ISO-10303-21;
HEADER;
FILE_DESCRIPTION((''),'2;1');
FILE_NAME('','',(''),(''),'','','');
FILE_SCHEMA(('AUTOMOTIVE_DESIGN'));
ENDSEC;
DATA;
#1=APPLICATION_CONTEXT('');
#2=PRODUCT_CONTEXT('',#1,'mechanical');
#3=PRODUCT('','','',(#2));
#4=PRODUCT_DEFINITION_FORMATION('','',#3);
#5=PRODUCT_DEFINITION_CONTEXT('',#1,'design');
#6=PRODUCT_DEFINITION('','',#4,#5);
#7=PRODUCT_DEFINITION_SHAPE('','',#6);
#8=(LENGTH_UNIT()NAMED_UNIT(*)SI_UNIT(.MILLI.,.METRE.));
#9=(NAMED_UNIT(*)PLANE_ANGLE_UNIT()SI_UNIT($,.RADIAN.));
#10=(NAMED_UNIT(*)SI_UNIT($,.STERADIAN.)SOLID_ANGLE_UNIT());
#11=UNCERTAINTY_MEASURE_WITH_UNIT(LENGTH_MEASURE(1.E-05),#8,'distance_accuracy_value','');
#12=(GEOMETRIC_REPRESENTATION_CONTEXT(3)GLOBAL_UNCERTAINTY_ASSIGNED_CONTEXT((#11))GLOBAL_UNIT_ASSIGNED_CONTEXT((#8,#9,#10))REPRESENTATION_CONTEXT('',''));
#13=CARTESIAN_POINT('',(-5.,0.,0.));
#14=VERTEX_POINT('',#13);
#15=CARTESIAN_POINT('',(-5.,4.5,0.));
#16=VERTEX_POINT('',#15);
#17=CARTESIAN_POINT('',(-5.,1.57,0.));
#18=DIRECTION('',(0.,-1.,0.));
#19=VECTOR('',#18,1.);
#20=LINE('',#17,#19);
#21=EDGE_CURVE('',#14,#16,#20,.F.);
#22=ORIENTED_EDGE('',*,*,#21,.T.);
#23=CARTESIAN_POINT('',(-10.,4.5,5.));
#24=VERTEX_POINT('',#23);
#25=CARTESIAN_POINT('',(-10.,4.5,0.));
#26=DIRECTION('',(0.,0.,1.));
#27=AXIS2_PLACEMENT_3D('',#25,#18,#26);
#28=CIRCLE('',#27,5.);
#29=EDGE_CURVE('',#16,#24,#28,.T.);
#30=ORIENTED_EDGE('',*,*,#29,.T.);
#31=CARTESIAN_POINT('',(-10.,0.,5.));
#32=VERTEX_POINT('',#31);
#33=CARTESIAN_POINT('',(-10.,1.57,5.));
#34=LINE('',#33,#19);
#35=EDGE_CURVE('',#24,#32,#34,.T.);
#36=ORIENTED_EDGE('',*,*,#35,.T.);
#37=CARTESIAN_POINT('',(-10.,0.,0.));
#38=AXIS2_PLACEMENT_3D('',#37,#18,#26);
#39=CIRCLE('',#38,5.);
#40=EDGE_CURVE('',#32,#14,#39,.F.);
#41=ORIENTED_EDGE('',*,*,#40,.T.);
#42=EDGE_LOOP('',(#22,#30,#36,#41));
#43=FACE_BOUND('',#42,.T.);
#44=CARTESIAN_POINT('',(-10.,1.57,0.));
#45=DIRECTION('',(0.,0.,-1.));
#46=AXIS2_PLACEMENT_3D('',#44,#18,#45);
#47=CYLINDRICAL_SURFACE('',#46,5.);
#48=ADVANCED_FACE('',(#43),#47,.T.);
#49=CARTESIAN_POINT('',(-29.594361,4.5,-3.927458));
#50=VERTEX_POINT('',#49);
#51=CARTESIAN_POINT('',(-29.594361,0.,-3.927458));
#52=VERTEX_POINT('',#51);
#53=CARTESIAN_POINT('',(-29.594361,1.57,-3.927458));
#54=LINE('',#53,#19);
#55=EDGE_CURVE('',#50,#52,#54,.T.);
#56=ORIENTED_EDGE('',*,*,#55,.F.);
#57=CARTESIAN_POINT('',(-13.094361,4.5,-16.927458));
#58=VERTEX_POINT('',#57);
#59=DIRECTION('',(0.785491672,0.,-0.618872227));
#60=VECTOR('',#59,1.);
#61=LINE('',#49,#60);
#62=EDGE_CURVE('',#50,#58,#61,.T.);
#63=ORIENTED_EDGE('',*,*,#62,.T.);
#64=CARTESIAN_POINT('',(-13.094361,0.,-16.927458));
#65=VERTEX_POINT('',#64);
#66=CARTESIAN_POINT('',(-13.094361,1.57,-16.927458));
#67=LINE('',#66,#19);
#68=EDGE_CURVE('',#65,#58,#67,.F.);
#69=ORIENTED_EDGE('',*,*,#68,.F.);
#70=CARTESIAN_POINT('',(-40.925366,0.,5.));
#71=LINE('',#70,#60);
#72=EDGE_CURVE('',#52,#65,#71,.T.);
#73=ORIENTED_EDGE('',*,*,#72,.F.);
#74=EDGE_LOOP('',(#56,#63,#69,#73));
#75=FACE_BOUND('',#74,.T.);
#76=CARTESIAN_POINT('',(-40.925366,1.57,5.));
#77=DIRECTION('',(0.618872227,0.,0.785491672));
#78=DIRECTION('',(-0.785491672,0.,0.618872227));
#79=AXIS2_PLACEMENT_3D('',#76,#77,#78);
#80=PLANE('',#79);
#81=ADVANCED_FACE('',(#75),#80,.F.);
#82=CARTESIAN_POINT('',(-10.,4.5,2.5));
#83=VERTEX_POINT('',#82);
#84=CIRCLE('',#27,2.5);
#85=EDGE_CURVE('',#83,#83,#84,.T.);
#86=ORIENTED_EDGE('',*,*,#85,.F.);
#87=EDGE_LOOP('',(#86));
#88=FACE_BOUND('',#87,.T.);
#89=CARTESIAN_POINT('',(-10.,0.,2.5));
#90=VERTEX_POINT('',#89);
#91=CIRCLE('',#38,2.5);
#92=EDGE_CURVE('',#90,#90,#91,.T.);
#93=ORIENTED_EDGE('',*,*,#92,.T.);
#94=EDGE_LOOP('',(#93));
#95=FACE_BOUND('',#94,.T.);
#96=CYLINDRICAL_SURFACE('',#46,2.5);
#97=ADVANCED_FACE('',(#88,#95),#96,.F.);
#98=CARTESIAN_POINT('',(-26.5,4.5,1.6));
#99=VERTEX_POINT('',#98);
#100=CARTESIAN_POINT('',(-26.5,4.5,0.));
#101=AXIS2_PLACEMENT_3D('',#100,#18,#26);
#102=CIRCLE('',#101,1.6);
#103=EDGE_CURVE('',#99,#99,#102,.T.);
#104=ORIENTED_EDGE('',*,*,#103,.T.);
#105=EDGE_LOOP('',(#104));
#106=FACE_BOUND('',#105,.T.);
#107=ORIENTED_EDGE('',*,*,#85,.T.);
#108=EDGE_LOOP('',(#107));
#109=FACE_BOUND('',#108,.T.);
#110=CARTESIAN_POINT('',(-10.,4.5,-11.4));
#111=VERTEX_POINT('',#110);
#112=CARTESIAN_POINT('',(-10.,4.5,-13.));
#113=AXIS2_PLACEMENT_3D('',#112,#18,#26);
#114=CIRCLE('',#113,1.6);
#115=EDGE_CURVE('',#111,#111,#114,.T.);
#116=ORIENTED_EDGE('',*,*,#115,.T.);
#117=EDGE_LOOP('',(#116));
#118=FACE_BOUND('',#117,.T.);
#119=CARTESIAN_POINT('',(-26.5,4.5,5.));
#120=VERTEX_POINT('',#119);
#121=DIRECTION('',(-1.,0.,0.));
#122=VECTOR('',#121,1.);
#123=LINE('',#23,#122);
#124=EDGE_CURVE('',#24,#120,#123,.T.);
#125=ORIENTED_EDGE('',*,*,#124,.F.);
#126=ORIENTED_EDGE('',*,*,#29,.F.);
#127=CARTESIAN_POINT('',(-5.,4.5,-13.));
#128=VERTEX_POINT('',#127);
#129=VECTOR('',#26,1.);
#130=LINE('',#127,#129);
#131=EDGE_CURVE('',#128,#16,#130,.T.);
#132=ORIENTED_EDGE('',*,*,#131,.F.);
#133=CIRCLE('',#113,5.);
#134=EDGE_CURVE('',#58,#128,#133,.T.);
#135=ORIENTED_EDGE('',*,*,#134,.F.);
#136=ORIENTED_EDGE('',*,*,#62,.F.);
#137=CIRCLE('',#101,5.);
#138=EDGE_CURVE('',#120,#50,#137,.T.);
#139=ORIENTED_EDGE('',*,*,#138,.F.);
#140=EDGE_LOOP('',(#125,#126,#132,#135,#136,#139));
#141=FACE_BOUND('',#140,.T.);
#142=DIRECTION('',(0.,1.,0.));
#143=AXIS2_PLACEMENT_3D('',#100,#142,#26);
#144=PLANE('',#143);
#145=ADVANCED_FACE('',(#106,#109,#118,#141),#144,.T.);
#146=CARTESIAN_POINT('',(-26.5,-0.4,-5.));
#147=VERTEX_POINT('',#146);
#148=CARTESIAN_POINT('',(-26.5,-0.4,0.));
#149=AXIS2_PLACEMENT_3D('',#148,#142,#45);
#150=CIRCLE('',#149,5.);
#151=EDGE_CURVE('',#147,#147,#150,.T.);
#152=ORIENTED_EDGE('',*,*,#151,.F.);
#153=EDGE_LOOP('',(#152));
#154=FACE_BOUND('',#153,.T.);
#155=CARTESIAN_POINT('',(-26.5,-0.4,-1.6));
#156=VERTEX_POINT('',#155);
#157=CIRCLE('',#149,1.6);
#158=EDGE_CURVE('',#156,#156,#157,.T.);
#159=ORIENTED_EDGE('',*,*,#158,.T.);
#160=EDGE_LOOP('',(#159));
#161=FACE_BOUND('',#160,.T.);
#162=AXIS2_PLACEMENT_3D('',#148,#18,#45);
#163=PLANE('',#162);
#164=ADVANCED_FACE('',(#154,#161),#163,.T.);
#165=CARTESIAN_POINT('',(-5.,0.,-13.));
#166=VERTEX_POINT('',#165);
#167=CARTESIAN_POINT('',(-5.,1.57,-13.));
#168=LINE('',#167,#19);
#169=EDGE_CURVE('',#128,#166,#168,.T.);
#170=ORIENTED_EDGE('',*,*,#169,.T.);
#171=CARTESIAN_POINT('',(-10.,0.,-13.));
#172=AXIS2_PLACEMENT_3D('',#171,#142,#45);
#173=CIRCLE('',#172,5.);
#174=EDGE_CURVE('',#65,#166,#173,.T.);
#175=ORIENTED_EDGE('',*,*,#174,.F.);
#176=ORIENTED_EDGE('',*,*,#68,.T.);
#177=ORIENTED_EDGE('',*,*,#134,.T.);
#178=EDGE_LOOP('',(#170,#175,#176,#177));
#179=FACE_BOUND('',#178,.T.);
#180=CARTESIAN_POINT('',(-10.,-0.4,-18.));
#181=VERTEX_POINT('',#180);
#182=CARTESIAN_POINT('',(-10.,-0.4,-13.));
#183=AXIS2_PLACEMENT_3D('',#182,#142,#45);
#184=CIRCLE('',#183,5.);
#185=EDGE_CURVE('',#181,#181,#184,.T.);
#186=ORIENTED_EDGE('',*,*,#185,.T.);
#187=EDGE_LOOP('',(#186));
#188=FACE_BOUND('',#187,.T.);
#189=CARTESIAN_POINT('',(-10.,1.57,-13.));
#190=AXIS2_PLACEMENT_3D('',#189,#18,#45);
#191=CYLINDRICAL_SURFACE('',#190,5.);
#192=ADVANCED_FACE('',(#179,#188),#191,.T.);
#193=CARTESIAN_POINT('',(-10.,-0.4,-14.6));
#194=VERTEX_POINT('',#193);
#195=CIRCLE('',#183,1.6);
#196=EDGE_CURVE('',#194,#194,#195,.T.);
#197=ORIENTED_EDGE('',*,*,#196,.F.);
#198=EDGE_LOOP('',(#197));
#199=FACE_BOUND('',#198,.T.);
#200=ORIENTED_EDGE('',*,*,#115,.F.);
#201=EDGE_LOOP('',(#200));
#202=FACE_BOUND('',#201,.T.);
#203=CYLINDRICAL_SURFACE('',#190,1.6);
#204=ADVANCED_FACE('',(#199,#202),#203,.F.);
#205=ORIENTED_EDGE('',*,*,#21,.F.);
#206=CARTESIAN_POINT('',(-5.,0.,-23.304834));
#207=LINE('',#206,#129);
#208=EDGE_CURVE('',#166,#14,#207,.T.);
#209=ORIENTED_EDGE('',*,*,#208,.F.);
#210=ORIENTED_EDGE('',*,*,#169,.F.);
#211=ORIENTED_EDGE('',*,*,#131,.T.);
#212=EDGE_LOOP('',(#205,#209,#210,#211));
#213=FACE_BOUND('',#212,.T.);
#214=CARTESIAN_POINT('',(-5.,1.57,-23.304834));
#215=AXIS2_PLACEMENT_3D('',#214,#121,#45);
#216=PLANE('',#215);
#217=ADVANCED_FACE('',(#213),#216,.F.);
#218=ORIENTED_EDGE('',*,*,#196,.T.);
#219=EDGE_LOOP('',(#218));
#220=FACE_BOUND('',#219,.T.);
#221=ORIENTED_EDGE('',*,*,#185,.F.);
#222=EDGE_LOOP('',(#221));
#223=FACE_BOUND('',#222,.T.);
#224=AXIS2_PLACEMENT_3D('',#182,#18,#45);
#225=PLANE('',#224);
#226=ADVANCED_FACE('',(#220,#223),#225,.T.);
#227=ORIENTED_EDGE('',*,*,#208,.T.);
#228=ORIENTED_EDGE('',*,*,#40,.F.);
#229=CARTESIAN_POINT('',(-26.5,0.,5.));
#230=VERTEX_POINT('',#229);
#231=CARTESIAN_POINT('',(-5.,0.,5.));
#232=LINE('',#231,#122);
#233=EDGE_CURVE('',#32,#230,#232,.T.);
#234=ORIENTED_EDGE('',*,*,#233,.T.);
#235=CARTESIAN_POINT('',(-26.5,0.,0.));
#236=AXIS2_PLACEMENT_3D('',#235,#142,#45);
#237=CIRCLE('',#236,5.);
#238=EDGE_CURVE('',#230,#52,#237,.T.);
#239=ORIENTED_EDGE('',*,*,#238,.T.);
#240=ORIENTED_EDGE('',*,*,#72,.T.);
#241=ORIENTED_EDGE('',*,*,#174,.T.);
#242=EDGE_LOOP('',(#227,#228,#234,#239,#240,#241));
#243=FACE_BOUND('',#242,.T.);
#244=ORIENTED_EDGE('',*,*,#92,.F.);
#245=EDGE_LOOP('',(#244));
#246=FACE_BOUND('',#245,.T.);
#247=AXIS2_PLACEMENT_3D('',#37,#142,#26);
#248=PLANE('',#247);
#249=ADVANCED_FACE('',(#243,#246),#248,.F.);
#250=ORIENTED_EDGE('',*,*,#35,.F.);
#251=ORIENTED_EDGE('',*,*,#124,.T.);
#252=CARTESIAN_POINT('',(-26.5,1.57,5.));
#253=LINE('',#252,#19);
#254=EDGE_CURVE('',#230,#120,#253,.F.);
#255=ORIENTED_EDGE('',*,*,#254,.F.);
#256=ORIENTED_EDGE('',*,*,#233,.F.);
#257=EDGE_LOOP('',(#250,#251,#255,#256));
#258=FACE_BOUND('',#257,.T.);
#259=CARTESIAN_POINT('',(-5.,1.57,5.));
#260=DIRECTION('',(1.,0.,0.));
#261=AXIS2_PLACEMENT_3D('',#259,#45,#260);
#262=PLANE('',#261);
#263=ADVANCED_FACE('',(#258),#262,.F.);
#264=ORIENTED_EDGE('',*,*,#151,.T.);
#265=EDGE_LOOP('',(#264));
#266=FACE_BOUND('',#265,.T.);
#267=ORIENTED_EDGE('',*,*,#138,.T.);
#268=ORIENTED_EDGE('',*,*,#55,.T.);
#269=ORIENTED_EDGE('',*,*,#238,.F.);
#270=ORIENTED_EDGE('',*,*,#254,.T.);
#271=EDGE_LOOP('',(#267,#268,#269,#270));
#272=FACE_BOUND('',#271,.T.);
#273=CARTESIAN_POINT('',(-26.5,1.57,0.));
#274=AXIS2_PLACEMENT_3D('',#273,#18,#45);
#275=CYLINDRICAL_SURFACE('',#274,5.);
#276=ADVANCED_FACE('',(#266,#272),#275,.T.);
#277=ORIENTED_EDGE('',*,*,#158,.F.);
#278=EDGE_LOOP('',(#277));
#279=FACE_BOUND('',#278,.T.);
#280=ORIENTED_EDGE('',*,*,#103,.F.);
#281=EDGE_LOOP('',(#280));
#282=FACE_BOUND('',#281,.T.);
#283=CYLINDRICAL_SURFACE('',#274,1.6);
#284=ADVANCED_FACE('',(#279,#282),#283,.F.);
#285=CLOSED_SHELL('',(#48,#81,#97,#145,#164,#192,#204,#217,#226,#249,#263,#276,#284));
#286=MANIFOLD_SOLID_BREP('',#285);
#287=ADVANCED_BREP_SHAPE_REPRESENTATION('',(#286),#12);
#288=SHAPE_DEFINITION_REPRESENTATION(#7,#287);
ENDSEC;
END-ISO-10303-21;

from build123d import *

# Parameters (mm, degrees)
SKETCH1_R           = 1.6
SKETCH1_R_2         = 2.5
BOSS_EXTRUDE1_DEPTH = 1.57
FILLET1_R           = 5
SKETCH2_R           = 2.5
SKETCH2_R_2         = 1.6
BOSS_EXTRUDE2_DEPTH = 2.93
SKETCH3_R           = 5
SKETCH3_R_2         = 1.6
BOSS_EXTRUDE3_DEPTH = 0.4


with BuildPart() as part:
    # Sketch1 → Boss-Extrude1 (new body)
    with BuildSketch(Plane(origin=(0, 0, 0), x_dir=(1, 0, 0), z_dir=(0, 1, 0))):
        Polygon((-5, -5), (30.925365976, -5), (-5, 23.304833799), align=None)
        with Locations(Location((16.5, 0, 0), (0, 0, 270))):
            Circle(SKETCH1_R, mode=Mode.SUBTRACT)
        with Locations(Location((0, 0, 0), (0, 0, 270))):
            Circle(SKETCH1_R_2, mode=Mode.SUBTRACT)
        with Locations(Location((0, 13, 0), (0, 0, 270))):
            Circle(SKETCH1_R, mode=Mode.SUBTRACT)
    extrude(amount=BOSS_EXTRUDE1_DEPTH)

    # Fillet1
    fillet1_edges = [part.edges().sort_by_distance(p)[0] for p in [
        (-5, 0.785, -23.304833799),
        (30.925365976, 0.785, 5),
        (-5, 0.785, 5),
    ]]
    fillet(fillet1_edges, radius=FILLET1_R)

    # Sketch2 → Boss-Extrude2 (add)
    with BuildSketch(Plane(origin=(0, 1.57, 0), x_dir=(1, 0, 0), z_dir=(0, 1, 0))):
        with BuildLine():
            Line((19.594361133, 3.927458361), (3.094361133, 16.927458361))
            ThreePointArc((3.094361133, 16.927458361), (-2.182681188, 17.498433375), (-5, 13))
            Line((-5, 13), (-5, 0))
            ThreePointArc((-5, 0), (-3.535533906, -3.535533906), (0, -5))
            Line((0, -5), (16.5, -5))
            ThreePointArc((16.5, -5), (21.224261413, -1.637484075), (19.594361133, 3.927458361))
        make_face()
        with Locations(Location((0, 0, 0), (0, 0, 270))):
            Circle(SKETCH2_R, mode=Mode.SUBTRACT)
        with Locations(Location((16.5, 0, 0), (0, 0, 270))):
            Circle(SKETCH2_R_2, mode=Mode.SUBTRACT)
        with Locations(Location((0, 13, 0), (0, 0, 270))):
            Circle(SKETCH2_R_2, mode=Mode.SUBTRACT)
    extrude(amount=BOSS_EXTRUDE2_DEPTH)

    # Sketch3 → Boss-Extrude3 (add)
    # profile 1 of 2: a face of its own
    with BuildSketch(Plane.XZ):
        with Locations(Location((16.5, 0, 0), (0, 0, 270))):
            Circle(SKETCH3_R)
        with Locations(Location((16.5, 0, 0), (0, 0, 270))):
            Circle(SKETCH3_R_2, mode=Mode.SUBTRACT)
    # profile 2 of 2: a face of its own
    with BuildSketch(Plane.XZ):
        with Locations(Location((0, -13, 0), (0, 0, 270))):
            Circle(SKETCH3_R)
        with Locations(Location((0, -13, 0), (0, 0, 270))):
            Circle(SKETCH3_R_2, mode=Mode.SUBTRACT)
    extrude(amount=BOSS_EXTRUDE3_DEPTH)


with BuildPart() as body_2:
    # Mirror1: mirrored copy
    add(part.part.mirror(Plane(origin=(-5, 1.57, -23.304833799), x_dir=(0, 0, 1), z_dir=(1, 0, 0))))


solid = body_2.part
